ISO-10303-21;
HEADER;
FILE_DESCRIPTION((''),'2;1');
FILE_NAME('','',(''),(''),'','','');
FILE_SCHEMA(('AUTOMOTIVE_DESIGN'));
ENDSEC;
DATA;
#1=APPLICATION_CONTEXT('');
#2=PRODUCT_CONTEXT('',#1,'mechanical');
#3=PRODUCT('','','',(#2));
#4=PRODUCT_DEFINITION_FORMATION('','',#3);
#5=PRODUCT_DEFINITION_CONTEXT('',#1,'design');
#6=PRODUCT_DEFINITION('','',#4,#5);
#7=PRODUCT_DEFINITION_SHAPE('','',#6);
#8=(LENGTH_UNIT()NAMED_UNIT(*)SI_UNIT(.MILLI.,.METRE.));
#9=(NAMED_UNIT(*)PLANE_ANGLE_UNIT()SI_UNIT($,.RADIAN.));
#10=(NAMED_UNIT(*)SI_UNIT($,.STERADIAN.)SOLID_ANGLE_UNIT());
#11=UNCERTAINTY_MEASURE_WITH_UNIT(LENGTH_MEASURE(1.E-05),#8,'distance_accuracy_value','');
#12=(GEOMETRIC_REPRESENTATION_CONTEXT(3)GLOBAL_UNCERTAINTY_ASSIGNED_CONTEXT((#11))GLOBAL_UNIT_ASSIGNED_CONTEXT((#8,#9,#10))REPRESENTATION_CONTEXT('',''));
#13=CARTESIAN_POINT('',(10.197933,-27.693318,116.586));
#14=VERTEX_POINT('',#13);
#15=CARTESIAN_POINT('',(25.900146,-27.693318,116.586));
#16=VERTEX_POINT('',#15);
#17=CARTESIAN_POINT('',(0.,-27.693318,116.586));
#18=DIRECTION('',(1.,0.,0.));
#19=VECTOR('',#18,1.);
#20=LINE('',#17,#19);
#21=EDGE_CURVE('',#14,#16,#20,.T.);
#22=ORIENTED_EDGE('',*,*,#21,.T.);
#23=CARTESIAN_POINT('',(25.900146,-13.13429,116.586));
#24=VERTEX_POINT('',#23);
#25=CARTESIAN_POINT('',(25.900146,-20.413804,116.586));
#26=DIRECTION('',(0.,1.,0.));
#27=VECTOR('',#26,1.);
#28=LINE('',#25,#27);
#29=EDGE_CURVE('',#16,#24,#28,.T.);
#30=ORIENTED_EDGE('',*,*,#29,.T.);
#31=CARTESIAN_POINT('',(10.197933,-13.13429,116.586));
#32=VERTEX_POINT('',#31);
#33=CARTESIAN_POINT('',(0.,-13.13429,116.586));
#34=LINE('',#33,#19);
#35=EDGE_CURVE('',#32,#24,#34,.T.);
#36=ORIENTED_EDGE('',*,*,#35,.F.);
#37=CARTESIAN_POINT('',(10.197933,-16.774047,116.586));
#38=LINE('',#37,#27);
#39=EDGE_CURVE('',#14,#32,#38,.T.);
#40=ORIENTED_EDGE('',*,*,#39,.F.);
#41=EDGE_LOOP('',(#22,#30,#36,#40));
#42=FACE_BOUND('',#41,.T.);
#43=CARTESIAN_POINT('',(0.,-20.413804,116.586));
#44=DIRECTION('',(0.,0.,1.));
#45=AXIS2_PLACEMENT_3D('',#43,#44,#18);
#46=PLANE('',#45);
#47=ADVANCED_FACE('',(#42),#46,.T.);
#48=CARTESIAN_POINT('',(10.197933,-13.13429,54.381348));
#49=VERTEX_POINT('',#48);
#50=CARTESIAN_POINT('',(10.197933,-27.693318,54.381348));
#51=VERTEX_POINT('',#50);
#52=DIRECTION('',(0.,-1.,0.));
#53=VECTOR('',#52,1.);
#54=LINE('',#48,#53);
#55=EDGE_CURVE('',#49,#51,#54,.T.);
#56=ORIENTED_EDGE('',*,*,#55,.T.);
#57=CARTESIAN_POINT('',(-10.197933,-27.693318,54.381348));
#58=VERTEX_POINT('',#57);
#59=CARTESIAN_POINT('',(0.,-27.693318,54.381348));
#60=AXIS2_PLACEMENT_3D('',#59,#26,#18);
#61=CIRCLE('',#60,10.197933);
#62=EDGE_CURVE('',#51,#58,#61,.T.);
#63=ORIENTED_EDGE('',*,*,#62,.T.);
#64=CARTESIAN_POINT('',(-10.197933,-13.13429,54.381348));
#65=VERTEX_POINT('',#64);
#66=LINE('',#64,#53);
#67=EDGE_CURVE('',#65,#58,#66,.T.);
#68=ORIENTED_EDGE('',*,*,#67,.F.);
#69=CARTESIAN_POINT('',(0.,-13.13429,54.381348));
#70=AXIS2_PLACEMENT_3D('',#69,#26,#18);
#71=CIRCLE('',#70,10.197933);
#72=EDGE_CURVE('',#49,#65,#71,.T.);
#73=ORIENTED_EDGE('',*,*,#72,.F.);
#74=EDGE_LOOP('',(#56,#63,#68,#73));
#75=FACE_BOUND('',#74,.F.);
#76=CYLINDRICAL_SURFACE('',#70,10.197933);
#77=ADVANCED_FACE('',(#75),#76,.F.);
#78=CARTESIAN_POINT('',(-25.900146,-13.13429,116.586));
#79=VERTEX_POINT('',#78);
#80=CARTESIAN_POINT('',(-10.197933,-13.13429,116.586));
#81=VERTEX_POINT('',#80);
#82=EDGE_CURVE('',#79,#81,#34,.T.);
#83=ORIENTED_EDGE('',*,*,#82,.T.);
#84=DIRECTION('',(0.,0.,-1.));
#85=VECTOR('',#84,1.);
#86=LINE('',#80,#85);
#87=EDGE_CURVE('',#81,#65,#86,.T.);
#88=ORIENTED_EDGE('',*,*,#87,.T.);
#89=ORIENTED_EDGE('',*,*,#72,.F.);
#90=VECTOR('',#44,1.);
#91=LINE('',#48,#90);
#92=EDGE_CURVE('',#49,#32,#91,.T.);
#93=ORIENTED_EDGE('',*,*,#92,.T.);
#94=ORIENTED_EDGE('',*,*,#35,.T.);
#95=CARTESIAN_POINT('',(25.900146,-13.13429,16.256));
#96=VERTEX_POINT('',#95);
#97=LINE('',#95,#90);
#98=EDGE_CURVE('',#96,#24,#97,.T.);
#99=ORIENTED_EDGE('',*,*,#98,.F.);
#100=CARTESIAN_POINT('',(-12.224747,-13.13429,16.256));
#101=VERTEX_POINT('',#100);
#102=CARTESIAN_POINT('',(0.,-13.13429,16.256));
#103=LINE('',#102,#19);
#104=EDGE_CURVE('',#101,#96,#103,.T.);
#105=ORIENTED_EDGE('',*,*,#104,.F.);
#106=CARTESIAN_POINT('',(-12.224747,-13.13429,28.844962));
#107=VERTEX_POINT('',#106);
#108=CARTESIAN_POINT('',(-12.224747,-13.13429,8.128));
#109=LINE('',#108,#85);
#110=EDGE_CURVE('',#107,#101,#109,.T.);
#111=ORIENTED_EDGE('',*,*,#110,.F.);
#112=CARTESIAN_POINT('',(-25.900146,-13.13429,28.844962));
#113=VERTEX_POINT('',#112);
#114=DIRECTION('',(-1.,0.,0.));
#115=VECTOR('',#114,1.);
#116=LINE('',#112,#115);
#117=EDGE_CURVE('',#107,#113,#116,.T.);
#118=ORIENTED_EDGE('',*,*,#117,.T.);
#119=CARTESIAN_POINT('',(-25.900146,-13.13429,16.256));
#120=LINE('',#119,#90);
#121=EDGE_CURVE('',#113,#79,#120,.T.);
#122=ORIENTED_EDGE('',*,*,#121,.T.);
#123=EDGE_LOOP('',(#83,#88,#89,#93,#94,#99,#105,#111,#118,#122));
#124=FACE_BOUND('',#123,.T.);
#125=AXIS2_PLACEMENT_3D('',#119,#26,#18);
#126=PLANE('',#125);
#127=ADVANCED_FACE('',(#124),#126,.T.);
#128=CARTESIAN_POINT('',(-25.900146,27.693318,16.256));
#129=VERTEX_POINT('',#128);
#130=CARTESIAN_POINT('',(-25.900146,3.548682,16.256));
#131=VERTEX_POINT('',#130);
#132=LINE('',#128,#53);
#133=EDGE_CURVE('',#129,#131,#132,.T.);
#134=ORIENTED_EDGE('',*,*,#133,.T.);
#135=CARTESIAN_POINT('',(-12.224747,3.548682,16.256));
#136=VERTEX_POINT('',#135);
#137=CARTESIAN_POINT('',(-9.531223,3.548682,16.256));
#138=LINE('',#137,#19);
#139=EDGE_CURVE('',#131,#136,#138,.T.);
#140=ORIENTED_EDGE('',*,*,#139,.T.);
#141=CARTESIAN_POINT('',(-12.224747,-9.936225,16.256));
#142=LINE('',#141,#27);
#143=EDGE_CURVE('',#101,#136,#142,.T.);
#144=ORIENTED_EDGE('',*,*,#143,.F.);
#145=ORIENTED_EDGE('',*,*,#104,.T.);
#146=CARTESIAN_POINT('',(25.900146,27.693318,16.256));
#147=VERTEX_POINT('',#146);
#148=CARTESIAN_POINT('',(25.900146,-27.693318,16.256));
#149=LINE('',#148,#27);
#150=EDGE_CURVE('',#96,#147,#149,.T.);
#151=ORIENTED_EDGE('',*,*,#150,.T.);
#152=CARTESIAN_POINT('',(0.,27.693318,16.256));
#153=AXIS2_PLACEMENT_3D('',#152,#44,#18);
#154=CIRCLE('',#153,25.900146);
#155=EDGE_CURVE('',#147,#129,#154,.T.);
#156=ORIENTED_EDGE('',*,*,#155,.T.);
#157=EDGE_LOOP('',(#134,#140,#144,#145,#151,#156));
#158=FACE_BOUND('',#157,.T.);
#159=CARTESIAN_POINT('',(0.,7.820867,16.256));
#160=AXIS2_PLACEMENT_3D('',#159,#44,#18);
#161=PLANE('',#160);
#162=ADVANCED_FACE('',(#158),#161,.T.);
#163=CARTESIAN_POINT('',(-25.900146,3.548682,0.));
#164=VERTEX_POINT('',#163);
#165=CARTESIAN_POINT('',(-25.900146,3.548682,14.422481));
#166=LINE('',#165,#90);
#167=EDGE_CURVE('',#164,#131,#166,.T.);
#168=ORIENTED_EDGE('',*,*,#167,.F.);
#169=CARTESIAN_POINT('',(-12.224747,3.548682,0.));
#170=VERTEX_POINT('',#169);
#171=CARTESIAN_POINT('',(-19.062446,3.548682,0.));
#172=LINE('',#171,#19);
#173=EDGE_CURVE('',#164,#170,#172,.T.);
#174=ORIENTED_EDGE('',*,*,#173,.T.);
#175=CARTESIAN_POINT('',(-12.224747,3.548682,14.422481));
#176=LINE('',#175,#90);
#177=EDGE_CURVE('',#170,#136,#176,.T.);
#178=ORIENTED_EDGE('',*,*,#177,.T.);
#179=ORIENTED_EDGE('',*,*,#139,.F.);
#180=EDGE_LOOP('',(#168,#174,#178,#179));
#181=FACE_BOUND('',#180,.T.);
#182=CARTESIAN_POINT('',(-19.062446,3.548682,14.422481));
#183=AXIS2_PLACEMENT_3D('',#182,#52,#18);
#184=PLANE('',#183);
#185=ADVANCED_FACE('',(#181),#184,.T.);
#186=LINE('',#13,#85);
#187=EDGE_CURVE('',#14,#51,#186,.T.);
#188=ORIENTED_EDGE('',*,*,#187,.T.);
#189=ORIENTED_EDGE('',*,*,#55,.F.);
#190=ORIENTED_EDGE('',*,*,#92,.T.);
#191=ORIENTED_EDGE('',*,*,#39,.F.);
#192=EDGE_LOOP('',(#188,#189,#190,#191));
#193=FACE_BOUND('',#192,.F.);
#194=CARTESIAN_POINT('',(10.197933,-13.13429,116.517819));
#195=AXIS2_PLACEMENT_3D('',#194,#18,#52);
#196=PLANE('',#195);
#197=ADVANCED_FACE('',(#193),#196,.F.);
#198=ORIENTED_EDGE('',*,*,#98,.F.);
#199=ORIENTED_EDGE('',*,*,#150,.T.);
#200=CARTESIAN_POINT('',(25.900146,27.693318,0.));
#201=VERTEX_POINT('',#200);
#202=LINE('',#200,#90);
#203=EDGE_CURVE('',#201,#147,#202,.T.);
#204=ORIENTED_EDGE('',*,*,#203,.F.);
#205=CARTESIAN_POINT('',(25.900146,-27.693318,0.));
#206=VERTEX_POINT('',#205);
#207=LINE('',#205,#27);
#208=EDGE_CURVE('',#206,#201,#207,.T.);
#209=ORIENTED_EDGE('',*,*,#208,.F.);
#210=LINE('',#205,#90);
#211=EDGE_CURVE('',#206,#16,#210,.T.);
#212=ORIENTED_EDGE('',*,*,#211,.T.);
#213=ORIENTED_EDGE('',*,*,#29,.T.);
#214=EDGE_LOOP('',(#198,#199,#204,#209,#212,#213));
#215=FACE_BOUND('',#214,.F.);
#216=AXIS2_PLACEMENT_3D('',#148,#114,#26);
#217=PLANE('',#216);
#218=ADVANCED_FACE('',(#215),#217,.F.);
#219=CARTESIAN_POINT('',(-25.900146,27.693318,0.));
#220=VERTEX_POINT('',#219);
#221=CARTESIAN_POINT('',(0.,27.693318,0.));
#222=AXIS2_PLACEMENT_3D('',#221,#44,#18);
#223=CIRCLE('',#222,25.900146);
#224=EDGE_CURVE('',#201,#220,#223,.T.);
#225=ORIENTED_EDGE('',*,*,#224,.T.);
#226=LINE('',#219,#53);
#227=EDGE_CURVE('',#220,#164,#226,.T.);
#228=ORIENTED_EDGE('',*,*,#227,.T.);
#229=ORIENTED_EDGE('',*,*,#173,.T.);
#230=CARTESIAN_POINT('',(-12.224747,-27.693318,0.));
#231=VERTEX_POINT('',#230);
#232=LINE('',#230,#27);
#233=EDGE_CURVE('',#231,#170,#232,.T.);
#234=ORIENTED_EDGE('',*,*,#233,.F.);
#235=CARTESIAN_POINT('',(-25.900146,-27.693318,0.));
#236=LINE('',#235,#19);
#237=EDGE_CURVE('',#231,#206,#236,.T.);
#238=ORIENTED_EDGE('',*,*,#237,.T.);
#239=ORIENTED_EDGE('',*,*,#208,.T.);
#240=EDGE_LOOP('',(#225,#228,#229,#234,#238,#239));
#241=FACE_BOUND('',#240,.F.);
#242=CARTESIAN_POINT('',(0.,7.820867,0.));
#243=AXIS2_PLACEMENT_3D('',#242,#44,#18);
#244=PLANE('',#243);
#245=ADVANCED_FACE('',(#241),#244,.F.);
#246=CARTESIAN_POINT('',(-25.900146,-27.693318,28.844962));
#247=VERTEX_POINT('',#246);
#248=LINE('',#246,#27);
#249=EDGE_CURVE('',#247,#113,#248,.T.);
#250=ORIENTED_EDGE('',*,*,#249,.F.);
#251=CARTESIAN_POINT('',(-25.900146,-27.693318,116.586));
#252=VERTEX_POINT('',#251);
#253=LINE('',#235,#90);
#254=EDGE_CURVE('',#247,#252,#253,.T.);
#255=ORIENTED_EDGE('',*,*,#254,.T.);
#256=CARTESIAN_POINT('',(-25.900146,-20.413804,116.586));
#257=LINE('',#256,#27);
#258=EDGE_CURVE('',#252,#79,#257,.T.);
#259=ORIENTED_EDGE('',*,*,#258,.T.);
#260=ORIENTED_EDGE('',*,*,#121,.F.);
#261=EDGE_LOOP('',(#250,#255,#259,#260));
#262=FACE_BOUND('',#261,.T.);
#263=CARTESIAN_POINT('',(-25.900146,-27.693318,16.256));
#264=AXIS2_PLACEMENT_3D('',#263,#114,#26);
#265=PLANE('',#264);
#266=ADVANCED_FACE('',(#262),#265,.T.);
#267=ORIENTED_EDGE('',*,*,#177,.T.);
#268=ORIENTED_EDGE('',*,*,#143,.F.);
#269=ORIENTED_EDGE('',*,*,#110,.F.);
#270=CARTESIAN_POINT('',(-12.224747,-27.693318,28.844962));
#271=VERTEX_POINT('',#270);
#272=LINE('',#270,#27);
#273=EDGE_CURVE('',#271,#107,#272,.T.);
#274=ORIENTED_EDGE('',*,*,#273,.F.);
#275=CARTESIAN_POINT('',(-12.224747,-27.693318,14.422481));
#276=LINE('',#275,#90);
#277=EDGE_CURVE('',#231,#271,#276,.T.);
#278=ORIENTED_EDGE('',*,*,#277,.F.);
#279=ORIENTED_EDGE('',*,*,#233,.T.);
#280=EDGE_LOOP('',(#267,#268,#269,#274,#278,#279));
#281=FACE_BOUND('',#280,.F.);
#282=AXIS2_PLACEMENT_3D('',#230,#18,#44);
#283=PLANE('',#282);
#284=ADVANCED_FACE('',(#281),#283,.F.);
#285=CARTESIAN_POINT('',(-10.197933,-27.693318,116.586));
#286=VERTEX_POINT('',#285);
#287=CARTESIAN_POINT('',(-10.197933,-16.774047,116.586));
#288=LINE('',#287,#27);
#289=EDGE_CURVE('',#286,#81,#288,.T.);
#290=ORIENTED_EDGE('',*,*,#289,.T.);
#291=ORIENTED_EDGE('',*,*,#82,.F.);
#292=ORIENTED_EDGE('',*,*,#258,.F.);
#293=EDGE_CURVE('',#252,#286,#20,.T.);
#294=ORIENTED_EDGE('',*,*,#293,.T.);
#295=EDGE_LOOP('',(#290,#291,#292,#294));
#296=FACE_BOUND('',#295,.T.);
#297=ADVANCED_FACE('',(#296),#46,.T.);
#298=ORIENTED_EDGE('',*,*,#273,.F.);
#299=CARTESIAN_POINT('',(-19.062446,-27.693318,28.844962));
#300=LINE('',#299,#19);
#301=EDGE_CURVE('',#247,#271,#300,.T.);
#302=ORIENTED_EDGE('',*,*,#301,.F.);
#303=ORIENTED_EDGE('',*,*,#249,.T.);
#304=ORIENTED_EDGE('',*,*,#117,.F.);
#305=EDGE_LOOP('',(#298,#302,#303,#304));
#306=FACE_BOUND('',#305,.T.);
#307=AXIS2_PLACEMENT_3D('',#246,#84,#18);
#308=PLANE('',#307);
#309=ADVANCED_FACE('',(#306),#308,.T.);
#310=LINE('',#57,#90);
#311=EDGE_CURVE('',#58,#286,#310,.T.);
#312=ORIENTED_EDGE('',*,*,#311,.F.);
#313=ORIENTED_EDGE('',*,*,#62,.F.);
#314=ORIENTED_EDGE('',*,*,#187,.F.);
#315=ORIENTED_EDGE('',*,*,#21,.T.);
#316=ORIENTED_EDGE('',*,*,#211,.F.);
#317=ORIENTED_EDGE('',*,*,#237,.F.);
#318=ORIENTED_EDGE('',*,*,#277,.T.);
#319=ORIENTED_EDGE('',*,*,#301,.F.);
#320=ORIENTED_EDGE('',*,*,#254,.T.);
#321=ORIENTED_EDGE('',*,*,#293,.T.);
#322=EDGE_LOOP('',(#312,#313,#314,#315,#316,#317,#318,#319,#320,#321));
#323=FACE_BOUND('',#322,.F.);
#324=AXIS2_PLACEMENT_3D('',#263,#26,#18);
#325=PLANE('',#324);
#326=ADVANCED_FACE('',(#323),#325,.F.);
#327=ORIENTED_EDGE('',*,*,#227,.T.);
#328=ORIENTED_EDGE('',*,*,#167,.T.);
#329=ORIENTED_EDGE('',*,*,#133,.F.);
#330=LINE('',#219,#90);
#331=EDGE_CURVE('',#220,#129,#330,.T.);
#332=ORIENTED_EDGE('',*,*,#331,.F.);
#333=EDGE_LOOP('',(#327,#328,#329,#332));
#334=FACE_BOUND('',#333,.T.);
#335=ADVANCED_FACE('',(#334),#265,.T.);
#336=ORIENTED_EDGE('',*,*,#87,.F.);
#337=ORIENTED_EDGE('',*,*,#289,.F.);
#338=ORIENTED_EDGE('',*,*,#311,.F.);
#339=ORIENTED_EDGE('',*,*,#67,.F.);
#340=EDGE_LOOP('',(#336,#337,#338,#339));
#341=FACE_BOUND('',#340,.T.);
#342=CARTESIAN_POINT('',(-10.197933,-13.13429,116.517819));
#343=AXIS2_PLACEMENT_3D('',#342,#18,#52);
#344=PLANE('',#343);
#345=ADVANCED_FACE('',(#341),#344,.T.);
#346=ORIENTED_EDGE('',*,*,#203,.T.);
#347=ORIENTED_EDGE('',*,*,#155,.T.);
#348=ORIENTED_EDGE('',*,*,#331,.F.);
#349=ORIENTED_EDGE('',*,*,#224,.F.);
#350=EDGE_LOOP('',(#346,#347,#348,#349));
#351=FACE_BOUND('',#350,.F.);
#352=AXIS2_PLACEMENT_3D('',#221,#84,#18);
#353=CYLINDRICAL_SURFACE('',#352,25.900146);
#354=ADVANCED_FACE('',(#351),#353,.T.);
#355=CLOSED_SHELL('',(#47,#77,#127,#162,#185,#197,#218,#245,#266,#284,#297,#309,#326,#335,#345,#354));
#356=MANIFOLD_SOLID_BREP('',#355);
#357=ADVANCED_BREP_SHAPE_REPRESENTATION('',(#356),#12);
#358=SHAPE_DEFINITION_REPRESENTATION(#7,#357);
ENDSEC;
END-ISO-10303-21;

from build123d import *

# Parameters (mm, degrees)
F1_DEPTH = 16.256
F2_W     = 51.8002919853
F2_H     = 14.5590286702
F3_DEPTH = 100.33
F5_DEPTH = 39.116
F6_DEPTH = 25.4
F7_W     = 13.6753991246
F7_H     = 28.8449618965
F8_DEPTH = 31.242


with BuildPart() as f1:
    # F0 (on Top) → F1 (new body)
    with BuildSketch(Plane.XY):
        with BuildLine():
            Line((-25.9001459926, -27.6933182031), (25.9001459926, -27.6933182031))
            Line((25.9001459926, -27.6933182031), (25.9001459926, 27.6933182031))
            ThreePointArc((25.9001459926, 27.6933182031), (0, 53.5934641957), (-25.9001459926, 27.6933182031))
            Line((-25.9001459926, 27.6933182031), (-25.9001459926, -27.6933182031))
        make_face()
    extrude(amount=F1_DEPTH)

    # F2 (on face) → F3 (join)
    with BuildSketch(Plane.XY.offset(16.256)):
        with Locations((0, -20.413803868)):
            Rectangle(F2_W, F2_H)
    extrude(amount=F3_DEPTH)

    # F4 (on face) → F5 (cut)
    with BuildSketch(Plane(origin=(0, -13.1342895329, 0), x_dir=(-1, 0, 0), z_dir=(0, 1, 0))):
        with BuildLine():
            Line((10.1979328319, 54.3813481927), (10.1979328319, 116.5178194642))
            Line((10.1979328319, 116.5178194642), (-10.1979328319, 116.5178194642))
            Line((-10.1979328319, 116.5178194642), (-10.1979328319, 54.3813481927))
            ThreePointArc((-10.1979328319, 54.3813481927), (0, 44.1834153607), (10.1979328319, 54.3813481927))
        make_face()
    extrude(amount=-F5_DEPTH, mode=Mode.SUBTRACT)

    # F6 (cut): a face of the model
    f6_faces = [f1.faces().sort_by_distance(p)[0] for p in [
        (0, -20.413803868, 116.5178194642),
    ]]
    extrude(f6_faces, amount=-F6_DEPTH, mode=Mode.SUBTRACT)

    # F7 (on face) → F8 (cut)
    with BuildSketch(Plane.XZ.offset(27.6933182031)):
        with Locations((-19.0624464303, 14.4224809483)):
            Rectangle(F7_W, F7_H)
    extrude(amount=-F8_DEPTH, mode=Mode.SUBTRACT)


solid = f1.part
